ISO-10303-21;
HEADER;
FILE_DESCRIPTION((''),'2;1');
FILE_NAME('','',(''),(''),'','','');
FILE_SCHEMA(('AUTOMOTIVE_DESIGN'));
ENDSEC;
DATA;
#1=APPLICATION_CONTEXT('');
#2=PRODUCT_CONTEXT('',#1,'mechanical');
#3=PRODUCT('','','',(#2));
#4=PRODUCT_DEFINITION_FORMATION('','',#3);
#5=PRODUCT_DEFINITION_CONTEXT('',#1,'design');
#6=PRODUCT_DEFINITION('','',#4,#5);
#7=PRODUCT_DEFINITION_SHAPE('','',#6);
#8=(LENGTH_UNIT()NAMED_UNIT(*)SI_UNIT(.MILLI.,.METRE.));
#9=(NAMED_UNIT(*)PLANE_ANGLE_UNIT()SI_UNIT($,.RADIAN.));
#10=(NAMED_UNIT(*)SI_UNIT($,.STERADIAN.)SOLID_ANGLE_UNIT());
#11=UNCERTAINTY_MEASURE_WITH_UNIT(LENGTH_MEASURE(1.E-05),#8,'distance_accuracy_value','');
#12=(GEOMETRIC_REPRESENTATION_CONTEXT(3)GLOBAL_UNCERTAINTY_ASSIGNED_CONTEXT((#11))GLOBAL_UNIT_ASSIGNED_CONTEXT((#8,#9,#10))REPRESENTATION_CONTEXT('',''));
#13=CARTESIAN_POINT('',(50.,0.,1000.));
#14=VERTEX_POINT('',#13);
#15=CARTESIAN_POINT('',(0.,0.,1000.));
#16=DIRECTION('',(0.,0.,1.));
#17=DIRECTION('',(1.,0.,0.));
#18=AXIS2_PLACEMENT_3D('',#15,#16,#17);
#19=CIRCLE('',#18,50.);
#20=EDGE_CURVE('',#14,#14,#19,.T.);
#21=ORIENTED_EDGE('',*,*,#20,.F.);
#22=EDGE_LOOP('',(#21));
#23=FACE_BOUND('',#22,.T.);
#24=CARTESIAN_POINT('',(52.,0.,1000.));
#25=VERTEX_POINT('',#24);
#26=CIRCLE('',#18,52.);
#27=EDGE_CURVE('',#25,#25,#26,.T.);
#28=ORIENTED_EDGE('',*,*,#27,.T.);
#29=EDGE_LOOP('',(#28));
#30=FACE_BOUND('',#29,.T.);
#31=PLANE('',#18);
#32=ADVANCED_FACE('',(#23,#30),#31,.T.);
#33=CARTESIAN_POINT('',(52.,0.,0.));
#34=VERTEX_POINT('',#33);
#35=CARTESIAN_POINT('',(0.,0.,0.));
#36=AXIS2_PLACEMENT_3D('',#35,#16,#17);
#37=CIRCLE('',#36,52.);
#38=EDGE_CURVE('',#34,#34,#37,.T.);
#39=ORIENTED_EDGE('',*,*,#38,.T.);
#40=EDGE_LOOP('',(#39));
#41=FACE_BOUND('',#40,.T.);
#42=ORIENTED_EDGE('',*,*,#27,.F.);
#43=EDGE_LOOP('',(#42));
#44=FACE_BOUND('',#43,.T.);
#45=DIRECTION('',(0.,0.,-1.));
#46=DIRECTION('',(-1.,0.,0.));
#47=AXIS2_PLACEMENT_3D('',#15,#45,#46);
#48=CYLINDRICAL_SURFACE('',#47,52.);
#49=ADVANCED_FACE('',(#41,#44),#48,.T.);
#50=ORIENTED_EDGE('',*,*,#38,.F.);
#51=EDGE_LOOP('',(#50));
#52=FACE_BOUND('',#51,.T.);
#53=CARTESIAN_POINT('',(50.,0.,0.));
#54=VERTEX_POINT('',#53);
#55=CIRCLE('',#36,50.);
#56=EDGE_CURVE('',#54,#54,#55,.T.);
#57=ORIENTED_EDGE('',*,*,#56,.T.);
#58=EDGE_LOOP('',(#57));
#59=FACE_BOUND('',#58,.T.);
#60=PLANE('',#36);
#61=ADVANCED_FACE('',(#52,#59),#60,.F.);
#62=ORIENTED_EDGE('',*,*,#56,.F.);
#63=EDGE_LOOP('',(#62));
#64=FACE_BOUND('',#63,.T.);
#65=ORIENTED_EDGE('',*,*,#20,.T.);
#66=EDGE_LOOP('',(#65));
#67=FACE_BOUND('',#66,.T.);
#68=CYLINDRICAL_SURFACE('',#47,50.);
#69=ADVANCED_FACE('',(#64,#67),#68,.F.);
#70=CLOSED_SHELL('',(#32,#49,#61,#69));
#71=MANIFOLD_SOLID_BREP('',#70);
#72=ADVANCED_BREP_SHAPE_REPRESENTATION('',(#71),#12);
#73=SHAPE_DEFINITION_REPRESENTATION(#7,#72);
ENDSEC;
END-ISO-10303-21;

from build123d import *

# Parameters (mm, degrees)
ESQUISSE_DE_TUYAU_R   = 52
ESQUISSE_DE_TUYAU_R_2 = 50
EXTRUSION_DEPTH       = 1000


with BuildPart() as part:
    # Esquisse de tuyau → Extrusion (new body)
    with BuildSketch(Plane.XY):
        Circle(ESQUISSE_DE_TUYAU_R)
        Circle(ESQUISSE_DE_TUYAU_R_2, mode=Mode.SUBTRACT)
    extrude(amount=EXTRUSION_DEPTH)


solid = part.part
